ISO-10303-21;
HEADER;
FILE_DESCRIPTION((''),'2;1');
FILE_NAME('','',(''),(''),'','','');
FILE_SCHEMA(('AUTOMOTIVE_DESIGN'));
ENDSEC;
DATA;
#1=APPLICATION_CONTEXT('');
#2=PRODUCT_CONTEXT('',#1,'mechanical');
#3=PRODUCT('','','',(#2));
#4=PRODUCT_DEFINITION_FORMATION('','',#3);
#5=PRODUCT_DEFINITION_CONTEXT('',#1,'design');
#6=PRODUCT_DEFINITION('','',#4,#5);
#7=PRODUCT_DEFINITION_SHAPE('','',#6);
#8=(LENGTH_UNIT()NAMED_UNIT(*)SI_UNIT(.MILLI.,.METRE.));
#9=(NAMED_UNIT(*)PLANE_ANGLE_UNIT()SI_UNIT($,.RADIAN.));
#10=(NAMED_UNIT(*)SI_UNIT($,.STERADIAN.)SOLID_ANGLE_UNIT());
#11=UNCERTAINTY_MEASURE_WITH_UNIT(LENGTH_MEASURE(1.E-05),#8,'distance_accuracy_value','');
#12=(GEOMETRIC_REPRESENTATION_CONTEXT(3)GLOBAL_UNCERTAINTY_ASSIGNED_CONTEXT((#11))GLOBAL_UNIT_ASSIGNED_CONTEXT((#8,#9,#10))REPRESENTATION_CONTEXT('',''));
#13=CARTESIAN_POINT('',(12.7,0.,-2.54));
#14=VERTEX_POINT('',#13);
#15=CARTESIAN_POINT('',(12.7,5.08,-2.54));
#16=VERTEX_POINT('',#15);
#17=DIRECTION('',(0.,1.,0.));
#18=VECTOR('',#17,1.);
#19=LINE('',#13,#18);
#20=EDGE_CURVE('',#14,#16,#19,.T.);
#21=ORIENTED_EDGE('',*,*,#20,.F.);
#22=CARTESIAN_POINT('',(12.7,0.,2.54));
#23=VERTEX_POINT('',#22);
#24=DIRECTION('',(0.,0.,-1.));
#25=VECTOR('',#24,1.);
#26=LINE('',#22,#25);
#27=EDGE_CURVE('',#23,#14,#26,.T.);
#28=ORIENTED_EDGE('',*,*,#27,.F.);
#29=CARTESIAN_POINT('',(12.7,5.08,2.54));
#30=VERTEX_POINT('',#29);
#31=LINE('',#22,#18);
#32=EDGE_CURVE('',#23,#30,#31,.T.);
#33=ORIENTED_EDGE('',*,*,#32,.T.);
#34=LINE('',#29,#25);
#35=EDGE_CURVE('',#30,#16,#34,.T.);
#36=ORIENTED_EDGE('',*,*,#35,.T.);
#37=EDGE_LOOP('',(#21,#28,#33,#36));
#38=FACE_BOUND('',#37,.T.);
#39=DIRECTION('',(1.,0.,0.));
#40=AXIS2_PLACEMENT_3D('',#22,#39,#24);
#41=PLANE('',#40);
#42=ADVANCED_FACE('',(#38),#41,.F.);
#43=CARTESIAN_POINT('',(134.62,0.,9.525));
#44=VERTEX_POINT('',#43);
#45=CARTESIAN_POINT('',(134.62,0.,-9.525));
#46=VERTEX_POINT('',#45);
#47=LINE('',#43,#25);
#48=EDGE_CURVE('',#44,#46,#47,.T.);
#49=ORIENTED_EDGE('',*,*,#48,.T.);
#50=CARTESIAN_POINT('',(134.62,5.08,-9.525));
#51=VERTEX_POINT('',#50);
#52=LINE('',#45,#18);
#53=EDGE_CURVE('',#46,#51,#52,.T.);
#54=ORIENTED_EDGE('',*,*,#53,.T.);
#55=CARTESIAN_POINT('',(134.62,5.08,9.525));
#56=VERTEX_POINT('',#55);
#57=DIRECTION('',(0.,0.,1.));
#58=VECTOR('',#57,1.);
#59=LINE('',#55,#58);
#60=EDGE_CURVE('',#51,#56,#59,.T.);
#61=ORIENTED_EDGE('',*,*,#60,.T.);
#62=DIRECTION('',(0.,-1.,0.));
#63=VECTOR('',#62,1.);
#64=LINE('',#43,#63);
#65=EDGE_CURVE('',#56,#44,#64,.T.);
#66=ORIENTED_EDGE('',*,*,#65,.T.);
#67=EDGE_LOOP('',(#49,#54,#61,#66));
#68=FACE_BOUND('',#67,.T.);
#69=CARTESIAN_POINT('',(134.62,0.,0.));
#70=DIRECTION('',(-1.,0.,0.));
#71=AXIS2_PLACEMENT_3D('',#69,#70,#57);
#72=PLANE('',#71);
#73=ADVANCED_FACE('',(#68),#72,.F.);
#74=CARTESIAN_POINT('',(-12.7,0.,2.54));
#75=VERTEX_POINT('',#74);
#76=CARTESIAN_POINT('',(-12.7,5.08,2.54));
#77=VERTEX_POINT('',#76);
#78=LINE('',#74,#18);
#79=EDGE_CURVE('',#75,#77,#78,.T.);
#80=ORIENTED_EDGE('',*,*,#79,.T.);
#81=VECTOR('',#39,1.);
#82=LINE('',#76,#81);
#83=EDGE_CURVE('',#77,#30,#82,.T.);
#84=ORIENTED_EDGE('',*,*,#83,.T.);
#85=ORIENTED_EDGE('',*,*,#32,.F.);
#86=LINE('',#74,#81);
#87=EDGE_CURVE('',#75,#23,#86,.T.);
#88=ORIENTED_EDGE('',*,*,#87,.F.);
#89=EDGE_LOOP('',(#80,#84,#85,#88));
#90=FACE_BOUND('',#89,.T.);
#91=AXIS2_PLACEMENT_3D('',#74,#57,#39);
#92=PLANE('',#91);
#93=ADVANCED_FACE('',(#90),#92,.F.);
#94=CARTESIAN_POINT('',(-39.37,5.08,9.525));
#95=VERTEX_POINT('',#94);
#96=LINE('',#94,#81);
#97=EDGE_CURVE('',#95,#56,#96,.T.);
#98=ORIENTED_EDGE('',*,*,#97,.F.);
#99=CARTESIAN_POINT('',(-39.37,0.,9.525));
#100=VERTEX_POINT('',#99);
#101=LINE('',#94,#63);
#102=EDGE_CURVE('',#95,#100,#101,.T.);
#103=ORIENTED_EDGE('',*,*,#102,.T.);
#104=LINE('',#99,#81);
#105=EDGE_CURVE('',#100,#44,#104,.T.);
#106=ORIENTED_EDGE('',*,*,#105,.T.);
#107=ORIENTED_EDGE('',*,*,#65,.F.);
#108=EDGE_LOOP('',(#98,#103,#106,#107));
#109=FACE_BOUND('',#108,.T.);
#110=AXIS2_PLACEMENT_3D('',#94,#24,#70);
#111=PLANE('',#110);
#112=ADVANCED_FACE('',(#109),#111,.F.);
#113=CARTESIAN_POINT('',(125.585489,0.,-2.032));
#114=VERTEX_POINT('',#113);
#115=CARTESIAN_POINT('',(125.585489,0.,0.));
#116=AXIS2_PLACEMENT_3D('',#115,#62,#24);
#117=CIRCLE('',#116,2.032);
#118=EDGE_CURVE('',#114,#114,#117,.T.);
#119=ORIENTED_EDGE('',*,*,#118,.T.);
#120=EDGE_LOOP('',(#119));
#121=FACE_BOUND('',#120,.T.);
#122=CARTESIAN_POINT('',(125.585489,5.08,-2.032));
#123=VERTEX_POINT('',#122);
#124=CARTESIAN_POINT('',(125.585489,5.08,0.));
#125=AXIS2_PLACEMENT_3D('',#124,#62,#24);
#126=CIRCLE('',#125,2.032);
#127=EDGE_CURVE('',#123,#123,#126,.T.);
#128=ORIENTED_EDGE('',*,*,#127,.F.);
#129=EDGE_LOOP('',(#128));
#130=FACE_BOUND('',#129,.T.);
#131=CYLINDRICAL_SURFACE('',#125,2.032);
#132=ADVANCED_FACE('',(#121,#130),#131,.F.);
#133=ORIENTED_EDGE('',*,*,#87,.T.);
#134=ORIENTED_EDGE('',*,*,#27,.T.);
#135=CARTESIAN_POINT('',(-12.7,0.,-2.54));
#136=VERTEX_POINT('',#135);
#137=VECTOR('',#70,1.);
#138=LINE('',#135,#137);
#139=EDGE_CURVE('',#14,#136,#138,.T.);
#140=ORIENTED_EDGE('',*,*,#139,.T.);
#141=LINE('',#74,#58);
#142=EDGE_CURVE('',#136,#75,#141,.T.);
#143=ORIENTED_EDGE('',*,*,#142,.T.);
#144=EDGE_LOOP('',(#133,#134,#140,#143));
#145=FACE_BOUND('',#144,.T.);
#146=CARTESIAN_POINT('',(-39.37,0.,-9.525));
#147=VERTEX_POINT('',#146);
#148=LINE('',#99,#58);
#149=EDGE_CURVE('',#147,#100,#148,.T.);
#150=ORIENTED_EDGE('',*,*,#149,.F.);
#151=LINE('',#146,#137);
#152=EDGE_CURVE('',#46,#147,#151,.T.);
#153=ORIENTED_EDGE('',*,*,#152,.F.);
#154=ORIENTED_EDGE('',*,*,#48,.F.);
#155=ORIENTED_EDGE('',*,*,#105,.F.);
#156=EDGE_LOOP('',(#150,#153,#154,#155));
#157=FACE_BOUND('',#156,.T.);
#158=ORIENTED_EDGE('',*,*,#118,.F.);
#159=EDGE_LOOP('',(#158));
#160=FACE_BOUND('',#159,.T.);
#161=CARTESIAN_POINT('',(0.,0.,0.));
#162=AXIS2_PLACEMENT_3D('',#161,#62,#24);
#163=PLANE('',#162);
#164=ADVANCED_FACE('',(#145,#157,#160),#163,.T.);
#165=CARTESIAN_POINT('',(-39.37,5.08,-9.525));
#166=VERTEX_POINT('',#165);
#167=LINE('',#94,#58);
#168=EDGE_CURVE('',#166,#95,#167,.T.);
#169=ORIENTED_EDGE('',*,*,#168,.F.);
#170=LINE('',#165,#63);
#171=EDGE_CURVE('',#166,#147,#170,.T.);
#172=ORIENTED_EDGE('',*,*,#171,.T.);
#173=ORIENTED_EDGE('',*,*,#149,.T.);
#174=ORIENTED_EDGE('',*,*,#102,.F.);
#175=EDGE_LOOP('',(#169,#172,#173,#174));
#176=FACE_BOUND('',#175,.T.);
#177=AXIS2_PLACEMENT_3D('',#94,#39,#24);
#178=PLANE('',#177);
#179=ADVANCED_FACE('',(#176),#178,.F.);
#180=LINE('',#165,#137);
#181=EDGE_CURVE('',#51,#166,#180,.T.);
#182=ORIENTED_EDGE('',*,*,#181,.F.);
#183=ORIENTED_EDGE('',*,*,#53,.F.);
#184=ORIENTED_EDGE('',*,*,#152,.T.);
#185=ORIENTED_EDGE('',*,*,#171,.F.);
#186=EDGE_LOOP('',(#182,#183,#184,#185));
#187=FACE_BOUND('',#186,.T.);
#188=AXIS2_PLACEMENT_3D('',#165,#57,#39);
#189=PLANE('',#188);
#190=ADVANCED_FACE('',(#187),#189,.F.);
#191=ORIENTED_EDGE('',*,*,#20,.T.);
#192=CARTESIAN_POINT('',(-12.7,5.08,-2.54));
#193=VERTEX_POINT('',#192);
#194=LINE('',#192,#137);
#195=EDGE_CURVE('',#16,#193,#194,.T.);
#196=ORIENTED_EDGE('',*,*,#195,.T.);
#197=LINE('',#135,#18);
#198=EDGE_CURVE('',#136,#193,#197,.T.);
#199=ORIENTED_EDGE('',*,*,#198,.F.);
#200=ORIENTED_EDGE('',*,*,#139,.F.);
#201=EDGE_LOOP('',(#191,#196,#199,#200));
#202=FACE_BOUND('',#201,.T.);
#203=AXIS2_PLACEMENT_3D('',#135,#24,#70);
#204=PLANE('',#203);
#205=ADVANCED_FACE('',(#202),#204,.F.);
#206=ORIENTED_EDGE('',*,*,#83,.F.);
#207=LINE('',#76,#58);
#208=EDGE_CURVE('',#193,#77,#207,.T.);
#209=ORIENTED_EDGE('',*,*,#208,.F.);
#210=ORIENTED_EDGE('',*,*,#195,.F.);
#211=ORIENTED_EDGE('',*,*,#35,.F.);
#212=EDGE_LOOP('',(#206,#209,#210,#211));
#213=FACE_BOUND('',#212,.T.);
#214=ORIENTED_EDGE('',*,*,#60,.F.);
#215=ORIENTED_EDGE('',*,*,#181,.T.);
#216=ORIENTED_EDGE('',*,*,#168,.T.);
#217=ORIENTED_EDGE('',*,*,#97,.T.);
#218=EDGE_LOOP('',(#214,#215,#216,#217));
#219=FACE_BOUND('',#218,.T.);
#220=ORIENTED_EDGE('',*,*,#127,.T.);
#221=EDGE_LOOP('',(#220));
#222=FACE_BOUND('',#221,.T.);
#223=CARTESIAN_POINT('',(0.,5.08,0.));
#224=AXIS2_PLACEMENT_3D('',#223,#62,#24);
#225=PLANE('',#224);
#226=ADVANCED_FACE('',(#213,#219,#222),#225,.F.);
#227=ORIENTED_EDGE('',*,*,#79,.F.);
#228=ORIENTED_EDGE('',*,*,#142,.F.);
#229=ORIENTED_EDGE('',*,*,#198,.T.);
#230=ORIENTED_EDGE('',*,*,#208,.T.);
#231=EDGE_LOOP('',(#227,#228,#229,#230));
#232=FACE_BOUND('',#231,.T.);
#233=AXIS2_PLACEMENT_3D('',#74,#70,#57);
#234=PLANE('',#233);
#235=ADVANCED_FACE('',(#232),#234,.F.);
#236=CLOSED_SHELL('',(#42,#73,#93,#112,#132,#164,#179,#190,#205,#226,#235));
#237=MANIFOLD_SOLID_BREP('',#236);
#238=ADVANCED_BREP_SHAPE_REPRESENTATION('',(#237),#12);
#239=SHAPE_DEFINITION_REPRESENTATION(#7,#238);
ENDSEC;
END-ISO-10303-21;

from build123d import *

# Parameters (mm, degrees)
SKETCH1_W           = 78.74
SKETCH1_H           = 19.05
BOSS_EXTRUDE1_DEPTH = 5.08
SKETCH2_W           = 25.4
SKETCH2_H           = 5.08
CUT_EXTRUDE1_DEPTH  = 41.823142028
SKETCH3_W           = 19.05
SKETCH3_H           = 5.08
BOSS_EXTRUDE2_DEPTH = 95.25
SKETCH4_R           = 2.032
CUT_EXTRUDE2_DEPTH  = 5.08


with BuildPart() as part:
    # Sketch1 → Boss-Extrude1 (new body)
    with BuildSketch(Plane(origin=(0, 0, 0), x_dir=(1, 0, 0), z_dir=(0, 1, 0))):
        Rectangle(SKETCH1_W, SKETCH1_H)
    extrude(amount=BOSS_EXTRUDE1_DEPTH)

    # Sketch2 → Cut-Extrude1 (cut, through all)
    with BuildSketch(Plane(origin=(0, 5.08, 0), x_dir=(1, 0, 0), z_dir=(0, 1, 0))):
        Rectangle(SKETCH2_W, SKETCH2_H)
    extrude(amount=-CUT_EXTRUDE1_DEPTH, mode=Mode.SUBTRACT)

    # Sketch3 → Boss-Extrude2 (add)
    with BuildSketch(Plane(origin=(39.37, 0, 0), x_dir=(0, 0, -1), z_dir=(1, 0, 0))):
        with Locations((0, 2.54)):
            Rectangle(SKETCH3_W, SKETCH3_H)
    extrude(amount=BOSS_EXTRUDE2_DEPTH)

    # Sketch4 → Cut-Extrude2 (cut)
    with BuildSketch(Plane.XZ):
        with Locations(Location((125.585488771, 0, 0), (0, 0, 270))):
            Circle(SKETCH4_R)
    extrude(amount=-CUT_EXTRUDE2_DEPTH, mode=Mode.SUBTRACT)


solid = part.part
